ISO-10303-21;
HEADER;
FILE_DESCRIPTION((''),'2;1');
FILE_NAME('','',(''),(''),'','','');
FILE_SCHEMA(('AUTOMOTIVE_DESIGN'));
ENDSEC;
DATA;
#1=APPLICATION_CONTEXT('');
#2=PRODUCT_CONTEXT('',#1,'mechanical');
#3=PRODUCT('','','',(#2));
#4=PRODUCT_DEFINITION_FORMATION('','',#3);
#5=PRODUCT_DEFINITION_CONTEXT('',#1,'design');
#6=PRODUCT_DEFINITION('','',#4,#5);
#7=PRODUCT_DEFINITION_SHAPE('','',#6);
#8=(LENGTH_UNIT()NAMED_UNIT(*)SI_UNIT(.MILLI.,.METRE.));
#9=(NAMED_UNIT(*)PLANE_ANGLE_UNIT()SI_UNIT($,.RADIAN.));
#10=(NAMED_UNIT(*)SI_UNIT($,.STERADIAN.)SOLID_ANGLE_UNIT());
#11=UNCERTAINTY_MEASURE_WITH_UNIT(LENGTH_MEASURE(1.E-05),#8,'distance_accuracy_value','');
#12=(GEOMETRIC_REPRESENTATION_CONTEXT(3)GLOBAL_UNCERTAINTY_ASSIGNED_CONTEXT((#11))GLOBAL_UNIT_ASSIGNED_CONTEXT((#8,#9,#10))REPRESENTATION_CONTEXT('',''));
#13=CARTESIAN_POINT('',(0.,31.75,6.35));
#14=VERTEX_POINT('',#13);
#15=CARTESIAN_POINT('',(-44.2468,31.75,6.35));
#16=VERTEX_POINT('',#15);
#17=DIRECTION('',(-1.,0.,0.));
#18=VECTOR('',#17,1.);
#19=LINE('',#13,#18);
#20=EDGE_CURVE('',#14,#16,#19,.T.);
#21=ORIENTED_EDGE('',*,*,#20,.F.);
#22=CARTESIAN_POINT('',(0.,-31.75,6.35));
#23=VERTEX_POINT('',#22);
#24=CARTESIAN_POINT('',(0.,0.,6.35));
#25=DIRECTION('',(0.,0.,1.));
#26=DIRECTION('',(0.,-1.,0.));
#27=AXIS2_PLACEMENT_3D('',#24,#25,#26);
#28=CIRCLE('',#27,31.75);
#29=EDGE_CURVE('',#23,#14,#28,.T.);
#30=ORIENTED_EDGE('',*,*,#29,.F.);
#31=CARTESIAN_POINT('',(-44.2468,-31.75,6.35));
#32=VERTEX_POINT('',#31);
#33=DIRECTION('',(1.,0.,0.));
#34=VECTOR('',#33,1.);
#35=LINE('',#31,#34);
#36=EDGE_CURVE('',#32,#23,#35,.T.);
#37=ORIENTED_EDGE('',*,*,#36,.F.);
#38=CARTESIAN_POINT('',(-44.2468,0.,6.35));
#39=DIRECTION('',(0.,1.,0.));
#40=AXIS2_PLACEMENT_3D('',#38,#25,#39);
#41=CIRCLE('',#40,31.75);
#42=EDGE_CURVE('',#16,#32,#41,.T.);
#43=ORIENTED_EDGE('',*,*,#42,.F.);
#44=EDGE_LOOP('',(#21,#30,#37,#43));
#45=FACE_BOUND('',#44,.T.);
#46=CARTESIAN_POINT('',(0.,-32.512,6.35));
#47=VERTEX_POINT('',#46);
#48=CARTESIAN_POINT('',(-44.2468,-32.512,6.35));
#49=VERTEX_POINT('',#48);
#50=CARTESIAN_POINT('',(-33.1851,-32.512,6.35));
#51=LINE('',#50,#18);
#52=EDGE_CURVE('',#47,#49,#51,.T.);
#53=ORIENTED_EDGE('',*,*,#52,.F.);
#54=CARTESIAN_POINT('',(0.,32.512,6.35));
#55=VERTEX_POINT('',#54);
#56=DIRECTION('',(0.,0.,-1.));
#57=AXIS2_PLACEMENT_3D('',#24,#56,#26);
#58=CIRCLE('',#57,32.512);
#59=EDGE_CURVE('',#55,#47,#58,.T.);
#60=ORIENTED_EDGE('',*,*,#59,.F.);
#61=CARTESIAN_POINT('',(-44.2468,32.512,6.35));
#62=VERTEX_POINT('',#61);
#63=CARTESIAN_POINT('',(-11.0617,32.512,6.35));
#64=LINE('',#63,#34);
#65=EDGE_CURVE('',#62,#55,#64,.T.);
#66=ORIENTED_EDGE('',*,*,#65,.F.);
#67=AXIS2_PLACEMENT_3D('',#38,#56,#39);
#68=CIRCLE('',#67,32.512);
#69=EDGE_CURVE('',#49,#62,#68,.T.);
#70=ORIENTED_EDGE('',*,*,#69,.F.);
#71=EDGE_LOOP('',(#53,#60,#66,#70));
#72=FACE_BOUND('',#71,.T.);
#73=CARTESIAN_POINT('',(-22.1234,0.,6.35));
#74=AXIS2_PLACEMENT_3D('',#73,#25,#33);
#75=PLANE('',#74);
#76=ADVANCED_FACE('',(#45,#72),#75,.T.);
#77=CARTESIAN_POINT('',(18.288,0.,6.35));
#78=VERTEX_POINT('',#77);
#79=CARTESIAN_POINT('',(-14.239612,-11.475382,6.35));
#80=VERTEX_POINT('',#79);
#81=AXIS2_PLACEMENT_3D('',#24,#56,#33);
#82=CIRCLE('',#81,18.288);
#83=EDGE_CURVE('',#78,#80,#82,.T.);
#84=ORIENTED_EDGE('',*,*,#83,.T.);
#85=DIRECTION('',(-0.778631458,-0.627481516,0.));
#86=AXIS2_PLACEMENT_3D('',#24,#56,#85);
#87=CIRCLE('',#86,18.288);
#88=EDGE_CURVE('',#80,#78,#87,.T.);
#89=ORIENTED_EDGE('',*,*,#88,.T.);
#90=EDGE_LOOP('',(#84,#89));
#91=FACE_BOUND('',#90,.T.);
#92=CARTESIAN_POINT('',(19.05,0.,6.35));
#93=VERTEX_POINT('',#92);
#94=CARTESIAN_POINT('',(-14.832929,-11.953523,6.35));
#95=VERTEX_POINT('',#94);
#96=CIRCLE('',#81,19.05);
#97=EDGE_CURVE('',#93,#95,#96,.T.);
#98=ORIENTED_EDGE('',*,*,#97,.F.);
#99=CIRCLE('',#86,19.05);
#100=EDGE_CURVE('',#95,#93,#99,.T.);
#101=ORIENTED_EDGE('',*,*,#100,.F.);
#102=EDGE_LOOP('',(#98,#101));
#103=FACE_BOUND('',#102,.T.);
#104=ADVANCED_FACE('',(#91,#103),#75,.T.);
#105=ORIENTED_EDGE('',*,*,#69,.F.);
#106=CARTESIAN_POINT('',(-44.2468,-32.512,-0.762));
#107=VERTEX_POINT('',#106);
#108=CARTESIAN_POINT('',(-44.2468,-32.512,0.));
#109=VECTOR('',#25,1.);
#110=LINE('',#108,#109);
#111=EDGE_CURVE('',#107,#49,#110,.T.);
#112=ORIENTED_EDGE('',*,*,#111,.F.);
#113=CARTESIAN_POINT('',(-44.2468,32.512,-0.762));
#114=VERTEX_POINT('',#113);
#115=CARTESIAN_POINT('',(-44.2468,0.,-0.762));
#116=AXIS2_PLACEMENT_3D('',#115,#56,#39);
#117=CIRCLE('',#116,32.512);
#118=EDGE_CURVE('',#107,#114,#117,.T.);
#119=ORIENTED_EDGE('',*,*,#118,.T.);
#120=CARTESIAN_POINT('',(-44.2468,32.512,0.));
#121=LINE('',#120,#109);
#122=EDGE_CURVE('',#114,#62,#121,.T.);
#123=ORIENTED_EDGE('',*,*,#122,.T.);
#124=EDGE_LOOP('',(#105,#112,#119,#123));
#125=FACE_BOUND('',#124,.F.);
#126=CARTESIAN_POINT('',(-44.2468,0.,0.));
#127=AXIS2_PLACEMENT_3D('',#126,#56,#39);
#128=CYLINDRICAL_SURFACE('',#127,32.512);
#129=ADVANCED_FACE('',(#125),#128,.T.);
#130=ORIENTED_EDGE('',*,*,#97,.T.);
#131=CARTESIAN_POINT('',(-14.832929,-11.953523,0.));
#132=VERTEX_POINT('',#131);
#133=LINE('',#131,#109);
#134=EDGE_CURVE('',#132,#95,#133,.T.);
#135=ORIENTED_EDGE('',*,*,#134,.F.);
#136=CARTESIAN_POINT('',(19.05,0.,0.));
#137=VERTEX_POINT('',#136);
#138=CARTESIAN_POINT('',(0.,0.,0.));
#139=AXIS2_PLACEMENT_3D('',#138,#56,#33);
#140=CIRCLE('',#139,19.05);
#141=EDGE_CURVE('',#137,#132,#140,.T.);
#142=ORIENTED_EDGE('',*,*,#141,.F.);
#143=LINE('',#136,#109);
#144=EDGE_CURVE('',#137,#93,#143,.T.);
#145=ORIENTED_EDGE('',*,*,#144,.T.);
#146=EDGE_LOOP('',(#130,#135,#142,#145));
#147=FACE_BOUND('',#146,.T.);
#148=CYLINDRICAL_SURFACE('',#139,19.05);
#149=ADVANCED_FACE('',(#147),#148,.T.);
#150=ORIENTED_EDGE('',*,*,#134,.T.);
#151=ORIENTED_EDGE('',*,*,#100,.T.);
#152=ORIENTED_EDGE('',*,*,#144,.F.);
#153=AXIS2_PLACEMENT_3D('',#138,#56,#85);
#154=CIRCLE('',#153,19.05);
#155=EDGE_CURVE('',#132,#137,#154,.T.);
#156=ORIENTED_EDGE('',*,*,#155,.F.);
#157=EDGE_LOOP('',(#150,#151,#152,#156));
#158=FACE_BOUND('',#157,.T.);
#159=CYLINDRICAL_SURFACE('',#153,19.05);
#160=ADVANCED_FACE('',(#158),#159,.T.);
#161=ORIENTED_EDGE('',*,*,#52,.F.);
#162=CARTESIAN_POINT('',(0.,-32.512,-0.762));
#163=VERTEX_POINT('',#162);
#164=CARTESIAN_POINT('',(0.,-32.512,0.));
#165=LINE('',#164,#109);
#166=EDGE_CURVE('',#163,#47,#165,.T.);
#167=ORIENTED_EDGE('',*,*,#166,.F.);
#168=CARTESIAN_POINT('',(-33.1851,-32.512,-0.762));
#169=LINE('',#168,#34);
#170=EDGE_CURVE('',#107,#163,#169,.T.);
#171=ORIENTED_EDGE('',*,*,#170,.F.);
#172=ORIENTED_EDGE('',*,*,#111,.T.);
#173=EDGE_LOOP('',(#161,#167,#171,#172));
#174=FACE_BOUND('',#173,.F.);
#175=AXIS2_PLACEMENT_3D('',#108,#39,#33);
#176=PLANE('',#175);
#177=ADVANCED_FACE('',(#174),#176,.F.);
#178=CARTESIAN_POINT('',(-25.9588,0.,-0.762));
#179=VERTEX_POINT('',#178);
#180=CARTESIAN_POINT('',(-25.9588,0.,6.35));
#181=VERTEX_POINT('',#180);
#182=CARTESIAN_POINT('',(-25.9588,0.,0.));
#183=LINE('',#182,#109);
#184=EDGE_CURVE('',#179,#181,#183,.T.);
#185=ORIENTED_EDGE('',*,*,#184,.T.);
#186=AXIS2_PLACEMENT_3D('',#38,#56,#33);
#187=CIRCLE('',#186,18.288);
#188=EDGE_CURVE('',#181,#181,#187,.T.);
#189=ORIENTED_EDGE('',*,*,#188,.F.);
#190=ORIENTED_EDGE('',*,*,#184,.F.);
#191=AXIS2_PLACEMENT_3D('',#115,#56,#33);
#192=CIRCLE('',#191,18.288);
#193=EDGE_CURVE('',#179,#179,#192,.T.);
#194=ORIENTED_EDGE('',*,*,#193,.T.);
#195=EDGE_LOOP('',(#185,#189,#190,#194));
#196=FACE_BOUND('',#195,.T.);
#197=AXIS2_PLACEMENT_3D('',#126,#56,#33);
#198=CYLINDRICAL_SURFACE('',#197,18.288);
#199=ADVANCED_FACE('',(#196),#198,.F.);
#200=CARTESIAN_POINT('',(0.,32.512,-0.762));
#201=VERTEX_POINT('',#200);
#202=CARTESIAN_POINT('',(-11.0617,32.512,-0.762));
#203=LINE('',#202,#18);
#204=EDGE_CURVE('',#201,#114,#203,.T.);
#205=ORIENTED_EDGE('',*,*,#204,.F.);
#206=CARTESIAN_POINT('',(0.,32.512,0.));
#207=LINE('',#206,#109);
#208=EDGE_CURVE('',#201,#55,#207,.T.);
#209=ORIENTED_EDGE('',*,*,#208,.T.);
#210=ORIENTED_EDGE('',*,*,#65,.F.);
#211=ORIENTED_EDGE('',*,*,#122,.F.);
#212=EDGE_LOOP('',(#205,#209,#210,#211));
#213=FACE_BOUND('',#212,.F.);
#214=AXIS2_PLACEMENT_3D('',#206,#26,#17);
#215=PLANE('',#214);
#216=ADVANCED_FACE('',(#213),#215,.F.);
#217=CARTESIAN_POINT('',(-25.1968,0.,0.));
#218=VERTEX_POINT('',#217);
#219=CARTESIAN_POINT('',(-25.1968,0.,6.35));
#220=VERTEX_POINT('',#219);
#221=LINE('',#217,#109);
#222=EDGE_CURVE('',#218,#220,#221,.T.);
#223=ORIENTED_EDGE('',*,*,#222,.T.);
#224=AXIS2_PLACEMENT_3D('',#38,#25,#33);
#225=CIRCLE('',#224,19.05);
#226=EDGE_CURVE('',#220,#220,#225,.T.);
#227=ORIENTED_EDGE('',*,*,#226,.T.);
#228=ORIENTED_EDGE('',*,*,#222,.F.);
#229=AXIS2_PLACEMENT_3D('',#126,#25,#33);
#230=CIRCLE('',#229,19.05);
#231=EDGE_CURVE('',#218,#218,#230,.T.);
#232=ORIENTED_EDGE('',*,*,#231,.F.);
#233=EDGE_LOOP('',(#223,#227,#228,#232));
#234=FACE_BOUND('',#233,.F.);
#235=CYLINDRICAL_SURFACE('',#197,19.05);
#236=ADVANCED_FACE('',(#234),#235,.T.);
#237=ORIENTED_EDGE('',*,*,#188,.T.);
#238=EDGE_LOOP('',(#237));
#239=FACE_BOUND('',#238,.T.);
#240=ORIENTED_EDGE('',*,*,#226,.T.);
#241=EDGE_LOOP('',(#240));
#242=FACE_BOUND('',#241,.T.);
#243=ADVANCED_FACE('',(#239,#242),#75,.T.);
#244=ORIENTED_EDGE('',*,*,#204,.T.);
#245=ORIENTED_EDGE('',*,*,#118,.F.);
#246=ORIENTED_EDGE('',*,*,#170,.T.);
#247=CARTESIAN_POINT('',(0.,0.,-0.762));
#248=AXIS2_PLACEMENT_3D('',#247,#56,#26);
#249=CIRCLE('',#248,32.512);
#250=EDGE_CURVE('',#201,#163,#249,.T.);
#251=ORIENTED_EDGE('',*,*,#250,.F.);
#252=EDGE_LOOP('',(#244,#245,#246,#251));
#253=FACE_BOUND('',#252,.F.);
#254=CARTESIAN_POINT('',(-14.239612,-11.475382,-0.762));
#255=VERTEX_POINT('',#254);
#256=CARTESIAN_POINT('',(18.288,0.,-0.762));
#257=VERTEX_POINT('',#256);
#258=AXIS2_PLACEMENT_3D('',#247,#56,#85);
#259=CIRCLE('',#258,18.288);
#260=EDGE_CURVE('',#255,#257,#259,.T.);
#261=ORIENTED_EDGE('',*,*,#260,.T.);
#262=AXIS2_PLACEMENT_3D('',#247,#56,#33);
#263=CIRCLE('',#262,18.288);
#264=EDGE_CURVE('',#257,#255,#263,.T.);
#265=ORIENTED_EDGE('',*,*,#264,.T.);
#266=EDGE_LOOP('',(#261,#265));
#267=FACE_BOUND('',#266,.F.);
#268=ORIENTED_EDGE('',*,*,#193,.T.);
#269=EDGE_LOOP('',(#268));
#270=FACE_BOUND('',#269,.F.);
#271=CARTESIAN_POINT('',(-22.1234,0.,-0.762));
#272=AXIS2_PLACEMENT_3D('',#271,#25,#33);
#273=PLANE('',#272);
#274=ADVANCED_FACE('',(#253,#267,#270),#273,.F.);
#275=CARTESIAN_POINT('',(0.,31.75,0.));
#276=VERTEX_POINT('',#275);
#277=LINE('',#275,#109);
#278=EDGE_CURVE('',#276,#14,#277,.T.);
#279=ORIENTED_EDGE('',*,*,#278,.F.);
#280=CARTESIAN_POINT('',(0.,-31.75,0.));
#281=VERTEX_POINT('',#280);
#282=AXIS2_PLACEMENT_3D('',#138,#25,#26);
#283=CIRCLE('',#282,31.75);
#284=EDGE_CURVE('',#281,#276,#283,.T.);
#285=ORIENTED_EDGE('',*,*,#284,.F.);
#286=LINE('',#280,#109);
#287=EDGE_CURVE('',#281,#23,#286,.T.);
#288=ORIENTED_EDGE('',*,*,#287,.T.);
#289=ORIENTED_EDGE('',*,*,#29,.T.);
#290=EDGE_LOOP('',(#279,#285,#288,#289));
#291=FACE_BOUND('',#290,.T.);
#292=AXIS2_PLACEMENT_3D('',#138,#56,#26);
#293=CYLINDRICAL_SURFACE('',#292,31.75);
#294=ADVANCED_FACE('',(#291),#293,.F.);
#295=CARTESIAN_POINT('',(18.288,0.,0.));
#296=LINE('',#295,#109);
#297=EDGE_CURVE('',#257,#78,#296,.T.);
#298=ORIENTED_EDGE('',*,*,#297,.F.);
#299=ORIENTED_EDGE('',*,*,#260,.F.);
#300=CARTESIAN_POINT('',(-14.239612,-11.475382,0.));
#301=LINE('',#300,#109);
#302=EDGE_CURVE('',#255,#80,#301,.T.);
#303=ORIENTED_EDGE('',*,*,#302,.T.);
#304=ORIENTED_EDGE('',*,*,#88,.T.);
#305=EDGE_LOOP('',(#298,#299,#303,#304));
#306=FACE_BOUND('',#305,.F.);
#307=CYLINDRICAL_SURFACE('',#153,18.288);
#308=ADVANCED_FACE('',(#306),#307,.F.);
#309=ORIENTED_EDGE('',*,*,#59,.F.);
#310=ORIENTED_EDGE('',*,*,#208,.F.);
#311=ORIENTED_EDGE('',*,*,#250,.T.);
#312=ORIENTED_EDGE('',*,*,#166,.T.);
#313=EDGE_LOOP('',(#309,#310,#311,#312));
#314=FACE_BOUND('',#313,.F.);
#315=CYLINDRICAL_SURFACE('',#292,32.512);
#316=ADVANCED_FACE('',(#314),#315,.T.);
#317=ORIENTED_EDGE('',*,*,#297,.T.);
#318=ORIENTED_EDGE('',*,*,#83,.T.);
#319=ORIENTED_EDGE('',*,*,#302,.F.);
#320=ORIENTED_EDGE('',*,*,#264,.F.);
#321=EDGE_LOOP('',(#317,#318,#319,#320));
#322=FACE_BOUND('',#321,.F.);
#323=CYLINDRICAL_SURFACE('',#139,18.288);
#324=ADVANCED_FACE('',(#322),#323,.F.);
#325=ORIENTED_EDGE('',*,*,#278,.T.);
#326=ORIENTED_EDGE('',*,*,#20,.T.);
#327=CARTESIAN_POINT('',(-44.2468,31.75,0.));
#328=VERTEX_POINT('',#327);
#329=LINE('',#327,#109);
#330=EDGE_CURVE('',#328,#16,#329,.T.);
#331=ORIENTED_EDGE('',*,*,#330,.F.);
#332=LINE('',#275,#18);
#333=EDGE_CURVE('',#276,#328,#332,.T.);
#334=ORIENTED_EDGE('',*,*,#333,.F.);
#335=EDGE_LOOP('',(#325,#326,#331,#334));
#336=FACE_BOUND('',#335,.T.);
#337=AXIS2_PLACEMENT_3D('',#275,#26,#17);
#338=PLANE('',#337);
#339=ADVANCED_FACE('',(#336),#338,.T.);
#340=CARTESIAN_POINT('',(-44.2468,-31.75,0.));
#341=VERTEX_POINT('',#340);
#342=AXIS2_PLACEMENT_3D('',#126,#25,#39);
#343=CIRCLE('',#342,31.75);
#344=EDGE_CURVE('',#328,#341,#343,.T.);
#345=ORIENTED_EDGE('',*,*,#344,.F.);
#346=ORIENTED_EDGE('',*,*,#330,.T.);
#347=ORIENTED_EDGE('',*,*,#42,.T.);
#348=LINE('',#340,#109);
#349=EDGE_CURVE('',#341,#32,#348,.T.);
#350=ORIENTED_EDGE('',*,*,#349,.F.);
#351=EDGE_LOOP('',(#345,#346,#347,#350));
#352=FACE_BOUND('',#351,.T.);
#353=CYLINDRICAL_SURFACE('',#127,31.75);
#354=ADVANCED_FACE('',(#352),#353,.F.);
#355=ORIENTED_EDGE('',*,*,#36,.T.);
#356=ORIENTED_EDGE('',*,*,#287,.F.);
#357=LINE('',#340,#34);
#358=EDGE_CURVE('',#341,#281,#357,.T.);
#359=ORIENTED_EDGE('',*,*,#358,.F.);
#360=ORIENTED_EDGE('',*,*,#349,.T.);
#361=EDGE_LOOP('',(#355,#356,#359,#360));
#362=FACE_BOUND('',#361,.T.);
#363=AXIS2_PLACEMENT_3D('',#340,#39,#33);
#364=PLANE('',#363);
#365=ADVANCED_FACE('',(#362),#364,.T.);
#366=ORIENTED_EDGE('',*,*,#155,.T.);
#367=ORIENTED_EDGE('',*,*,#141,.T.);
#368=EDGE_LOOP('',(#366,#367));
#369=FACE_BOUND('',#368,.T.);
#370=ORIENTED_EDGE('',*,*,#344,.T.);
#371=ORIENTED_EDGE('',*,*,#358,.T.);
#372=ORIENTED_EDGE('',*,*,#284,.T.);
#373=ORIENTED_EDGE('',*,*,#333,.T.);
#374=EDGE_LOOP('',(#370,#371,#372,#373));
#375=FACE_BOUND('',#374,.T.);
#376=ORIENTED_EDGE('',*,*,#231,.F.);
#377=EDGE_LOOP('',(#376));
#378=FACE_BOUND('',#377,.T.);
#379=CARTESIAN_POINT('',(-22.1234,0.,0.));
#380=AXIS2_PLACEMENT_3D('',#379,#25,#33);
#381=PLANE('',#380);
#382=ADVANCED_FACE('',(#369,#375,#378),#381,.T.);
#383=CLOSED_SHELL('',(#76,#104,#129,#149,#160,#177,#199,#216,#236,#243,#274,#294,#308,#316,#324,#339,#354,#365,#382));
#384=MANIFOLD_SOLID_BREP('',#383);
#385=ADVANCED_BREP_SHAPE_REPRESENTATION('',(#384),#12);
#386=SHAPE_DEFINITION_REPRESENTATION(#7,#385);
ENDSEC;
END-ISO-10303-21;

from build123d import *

# Parameters (mm, degrees)
F0_R     = 19.05
F1_DEPTH = 6.35
F2_T     = 0.762


with BuildPart() as f1:
    # F0 (on Top) → F1 (new body)
    with BuildSketch(Plane.XY):
        with BuildLine():
            Line((0, 31.75), (-44.2468, 31.75))
            ThreePointArc((-44.2468, 31.75), (-75.9968, 0), (-44.2468, -31.75))
            Line((-44.2468, -31.75), (0, -31.75))
            ThreePointArc((0, -31.75), (31.75, 0), (0, 31.75))
        make_face()
        with Locations((-44.2468, 0)):
            Circle(F0_R, mode=Mode.SUBTRACT)
        with BuildLine():
            ThreePointArc((-14.8329292767, -11.9535228729), (-6.3377913061, 17.9648240003), (19.05, 0))
            ThreePointArc((19.05, 0), (6.3377913061, -17.9648240003), (-14.8329292767, -11.9535228729))
        make_face(mode=Mode.SUBTRACT)
    extrude(amount=F1_DEPTH)

    # F2
    f2_openings = [f1.faces().sort_by_distance(p)[0] for p in [
        (-22.1234, 0, 6.35),
    ]]
    offset(amount=F2_T, openings=f2_openings, kind=Kind.INTERSECTION)


solid = f1.part
